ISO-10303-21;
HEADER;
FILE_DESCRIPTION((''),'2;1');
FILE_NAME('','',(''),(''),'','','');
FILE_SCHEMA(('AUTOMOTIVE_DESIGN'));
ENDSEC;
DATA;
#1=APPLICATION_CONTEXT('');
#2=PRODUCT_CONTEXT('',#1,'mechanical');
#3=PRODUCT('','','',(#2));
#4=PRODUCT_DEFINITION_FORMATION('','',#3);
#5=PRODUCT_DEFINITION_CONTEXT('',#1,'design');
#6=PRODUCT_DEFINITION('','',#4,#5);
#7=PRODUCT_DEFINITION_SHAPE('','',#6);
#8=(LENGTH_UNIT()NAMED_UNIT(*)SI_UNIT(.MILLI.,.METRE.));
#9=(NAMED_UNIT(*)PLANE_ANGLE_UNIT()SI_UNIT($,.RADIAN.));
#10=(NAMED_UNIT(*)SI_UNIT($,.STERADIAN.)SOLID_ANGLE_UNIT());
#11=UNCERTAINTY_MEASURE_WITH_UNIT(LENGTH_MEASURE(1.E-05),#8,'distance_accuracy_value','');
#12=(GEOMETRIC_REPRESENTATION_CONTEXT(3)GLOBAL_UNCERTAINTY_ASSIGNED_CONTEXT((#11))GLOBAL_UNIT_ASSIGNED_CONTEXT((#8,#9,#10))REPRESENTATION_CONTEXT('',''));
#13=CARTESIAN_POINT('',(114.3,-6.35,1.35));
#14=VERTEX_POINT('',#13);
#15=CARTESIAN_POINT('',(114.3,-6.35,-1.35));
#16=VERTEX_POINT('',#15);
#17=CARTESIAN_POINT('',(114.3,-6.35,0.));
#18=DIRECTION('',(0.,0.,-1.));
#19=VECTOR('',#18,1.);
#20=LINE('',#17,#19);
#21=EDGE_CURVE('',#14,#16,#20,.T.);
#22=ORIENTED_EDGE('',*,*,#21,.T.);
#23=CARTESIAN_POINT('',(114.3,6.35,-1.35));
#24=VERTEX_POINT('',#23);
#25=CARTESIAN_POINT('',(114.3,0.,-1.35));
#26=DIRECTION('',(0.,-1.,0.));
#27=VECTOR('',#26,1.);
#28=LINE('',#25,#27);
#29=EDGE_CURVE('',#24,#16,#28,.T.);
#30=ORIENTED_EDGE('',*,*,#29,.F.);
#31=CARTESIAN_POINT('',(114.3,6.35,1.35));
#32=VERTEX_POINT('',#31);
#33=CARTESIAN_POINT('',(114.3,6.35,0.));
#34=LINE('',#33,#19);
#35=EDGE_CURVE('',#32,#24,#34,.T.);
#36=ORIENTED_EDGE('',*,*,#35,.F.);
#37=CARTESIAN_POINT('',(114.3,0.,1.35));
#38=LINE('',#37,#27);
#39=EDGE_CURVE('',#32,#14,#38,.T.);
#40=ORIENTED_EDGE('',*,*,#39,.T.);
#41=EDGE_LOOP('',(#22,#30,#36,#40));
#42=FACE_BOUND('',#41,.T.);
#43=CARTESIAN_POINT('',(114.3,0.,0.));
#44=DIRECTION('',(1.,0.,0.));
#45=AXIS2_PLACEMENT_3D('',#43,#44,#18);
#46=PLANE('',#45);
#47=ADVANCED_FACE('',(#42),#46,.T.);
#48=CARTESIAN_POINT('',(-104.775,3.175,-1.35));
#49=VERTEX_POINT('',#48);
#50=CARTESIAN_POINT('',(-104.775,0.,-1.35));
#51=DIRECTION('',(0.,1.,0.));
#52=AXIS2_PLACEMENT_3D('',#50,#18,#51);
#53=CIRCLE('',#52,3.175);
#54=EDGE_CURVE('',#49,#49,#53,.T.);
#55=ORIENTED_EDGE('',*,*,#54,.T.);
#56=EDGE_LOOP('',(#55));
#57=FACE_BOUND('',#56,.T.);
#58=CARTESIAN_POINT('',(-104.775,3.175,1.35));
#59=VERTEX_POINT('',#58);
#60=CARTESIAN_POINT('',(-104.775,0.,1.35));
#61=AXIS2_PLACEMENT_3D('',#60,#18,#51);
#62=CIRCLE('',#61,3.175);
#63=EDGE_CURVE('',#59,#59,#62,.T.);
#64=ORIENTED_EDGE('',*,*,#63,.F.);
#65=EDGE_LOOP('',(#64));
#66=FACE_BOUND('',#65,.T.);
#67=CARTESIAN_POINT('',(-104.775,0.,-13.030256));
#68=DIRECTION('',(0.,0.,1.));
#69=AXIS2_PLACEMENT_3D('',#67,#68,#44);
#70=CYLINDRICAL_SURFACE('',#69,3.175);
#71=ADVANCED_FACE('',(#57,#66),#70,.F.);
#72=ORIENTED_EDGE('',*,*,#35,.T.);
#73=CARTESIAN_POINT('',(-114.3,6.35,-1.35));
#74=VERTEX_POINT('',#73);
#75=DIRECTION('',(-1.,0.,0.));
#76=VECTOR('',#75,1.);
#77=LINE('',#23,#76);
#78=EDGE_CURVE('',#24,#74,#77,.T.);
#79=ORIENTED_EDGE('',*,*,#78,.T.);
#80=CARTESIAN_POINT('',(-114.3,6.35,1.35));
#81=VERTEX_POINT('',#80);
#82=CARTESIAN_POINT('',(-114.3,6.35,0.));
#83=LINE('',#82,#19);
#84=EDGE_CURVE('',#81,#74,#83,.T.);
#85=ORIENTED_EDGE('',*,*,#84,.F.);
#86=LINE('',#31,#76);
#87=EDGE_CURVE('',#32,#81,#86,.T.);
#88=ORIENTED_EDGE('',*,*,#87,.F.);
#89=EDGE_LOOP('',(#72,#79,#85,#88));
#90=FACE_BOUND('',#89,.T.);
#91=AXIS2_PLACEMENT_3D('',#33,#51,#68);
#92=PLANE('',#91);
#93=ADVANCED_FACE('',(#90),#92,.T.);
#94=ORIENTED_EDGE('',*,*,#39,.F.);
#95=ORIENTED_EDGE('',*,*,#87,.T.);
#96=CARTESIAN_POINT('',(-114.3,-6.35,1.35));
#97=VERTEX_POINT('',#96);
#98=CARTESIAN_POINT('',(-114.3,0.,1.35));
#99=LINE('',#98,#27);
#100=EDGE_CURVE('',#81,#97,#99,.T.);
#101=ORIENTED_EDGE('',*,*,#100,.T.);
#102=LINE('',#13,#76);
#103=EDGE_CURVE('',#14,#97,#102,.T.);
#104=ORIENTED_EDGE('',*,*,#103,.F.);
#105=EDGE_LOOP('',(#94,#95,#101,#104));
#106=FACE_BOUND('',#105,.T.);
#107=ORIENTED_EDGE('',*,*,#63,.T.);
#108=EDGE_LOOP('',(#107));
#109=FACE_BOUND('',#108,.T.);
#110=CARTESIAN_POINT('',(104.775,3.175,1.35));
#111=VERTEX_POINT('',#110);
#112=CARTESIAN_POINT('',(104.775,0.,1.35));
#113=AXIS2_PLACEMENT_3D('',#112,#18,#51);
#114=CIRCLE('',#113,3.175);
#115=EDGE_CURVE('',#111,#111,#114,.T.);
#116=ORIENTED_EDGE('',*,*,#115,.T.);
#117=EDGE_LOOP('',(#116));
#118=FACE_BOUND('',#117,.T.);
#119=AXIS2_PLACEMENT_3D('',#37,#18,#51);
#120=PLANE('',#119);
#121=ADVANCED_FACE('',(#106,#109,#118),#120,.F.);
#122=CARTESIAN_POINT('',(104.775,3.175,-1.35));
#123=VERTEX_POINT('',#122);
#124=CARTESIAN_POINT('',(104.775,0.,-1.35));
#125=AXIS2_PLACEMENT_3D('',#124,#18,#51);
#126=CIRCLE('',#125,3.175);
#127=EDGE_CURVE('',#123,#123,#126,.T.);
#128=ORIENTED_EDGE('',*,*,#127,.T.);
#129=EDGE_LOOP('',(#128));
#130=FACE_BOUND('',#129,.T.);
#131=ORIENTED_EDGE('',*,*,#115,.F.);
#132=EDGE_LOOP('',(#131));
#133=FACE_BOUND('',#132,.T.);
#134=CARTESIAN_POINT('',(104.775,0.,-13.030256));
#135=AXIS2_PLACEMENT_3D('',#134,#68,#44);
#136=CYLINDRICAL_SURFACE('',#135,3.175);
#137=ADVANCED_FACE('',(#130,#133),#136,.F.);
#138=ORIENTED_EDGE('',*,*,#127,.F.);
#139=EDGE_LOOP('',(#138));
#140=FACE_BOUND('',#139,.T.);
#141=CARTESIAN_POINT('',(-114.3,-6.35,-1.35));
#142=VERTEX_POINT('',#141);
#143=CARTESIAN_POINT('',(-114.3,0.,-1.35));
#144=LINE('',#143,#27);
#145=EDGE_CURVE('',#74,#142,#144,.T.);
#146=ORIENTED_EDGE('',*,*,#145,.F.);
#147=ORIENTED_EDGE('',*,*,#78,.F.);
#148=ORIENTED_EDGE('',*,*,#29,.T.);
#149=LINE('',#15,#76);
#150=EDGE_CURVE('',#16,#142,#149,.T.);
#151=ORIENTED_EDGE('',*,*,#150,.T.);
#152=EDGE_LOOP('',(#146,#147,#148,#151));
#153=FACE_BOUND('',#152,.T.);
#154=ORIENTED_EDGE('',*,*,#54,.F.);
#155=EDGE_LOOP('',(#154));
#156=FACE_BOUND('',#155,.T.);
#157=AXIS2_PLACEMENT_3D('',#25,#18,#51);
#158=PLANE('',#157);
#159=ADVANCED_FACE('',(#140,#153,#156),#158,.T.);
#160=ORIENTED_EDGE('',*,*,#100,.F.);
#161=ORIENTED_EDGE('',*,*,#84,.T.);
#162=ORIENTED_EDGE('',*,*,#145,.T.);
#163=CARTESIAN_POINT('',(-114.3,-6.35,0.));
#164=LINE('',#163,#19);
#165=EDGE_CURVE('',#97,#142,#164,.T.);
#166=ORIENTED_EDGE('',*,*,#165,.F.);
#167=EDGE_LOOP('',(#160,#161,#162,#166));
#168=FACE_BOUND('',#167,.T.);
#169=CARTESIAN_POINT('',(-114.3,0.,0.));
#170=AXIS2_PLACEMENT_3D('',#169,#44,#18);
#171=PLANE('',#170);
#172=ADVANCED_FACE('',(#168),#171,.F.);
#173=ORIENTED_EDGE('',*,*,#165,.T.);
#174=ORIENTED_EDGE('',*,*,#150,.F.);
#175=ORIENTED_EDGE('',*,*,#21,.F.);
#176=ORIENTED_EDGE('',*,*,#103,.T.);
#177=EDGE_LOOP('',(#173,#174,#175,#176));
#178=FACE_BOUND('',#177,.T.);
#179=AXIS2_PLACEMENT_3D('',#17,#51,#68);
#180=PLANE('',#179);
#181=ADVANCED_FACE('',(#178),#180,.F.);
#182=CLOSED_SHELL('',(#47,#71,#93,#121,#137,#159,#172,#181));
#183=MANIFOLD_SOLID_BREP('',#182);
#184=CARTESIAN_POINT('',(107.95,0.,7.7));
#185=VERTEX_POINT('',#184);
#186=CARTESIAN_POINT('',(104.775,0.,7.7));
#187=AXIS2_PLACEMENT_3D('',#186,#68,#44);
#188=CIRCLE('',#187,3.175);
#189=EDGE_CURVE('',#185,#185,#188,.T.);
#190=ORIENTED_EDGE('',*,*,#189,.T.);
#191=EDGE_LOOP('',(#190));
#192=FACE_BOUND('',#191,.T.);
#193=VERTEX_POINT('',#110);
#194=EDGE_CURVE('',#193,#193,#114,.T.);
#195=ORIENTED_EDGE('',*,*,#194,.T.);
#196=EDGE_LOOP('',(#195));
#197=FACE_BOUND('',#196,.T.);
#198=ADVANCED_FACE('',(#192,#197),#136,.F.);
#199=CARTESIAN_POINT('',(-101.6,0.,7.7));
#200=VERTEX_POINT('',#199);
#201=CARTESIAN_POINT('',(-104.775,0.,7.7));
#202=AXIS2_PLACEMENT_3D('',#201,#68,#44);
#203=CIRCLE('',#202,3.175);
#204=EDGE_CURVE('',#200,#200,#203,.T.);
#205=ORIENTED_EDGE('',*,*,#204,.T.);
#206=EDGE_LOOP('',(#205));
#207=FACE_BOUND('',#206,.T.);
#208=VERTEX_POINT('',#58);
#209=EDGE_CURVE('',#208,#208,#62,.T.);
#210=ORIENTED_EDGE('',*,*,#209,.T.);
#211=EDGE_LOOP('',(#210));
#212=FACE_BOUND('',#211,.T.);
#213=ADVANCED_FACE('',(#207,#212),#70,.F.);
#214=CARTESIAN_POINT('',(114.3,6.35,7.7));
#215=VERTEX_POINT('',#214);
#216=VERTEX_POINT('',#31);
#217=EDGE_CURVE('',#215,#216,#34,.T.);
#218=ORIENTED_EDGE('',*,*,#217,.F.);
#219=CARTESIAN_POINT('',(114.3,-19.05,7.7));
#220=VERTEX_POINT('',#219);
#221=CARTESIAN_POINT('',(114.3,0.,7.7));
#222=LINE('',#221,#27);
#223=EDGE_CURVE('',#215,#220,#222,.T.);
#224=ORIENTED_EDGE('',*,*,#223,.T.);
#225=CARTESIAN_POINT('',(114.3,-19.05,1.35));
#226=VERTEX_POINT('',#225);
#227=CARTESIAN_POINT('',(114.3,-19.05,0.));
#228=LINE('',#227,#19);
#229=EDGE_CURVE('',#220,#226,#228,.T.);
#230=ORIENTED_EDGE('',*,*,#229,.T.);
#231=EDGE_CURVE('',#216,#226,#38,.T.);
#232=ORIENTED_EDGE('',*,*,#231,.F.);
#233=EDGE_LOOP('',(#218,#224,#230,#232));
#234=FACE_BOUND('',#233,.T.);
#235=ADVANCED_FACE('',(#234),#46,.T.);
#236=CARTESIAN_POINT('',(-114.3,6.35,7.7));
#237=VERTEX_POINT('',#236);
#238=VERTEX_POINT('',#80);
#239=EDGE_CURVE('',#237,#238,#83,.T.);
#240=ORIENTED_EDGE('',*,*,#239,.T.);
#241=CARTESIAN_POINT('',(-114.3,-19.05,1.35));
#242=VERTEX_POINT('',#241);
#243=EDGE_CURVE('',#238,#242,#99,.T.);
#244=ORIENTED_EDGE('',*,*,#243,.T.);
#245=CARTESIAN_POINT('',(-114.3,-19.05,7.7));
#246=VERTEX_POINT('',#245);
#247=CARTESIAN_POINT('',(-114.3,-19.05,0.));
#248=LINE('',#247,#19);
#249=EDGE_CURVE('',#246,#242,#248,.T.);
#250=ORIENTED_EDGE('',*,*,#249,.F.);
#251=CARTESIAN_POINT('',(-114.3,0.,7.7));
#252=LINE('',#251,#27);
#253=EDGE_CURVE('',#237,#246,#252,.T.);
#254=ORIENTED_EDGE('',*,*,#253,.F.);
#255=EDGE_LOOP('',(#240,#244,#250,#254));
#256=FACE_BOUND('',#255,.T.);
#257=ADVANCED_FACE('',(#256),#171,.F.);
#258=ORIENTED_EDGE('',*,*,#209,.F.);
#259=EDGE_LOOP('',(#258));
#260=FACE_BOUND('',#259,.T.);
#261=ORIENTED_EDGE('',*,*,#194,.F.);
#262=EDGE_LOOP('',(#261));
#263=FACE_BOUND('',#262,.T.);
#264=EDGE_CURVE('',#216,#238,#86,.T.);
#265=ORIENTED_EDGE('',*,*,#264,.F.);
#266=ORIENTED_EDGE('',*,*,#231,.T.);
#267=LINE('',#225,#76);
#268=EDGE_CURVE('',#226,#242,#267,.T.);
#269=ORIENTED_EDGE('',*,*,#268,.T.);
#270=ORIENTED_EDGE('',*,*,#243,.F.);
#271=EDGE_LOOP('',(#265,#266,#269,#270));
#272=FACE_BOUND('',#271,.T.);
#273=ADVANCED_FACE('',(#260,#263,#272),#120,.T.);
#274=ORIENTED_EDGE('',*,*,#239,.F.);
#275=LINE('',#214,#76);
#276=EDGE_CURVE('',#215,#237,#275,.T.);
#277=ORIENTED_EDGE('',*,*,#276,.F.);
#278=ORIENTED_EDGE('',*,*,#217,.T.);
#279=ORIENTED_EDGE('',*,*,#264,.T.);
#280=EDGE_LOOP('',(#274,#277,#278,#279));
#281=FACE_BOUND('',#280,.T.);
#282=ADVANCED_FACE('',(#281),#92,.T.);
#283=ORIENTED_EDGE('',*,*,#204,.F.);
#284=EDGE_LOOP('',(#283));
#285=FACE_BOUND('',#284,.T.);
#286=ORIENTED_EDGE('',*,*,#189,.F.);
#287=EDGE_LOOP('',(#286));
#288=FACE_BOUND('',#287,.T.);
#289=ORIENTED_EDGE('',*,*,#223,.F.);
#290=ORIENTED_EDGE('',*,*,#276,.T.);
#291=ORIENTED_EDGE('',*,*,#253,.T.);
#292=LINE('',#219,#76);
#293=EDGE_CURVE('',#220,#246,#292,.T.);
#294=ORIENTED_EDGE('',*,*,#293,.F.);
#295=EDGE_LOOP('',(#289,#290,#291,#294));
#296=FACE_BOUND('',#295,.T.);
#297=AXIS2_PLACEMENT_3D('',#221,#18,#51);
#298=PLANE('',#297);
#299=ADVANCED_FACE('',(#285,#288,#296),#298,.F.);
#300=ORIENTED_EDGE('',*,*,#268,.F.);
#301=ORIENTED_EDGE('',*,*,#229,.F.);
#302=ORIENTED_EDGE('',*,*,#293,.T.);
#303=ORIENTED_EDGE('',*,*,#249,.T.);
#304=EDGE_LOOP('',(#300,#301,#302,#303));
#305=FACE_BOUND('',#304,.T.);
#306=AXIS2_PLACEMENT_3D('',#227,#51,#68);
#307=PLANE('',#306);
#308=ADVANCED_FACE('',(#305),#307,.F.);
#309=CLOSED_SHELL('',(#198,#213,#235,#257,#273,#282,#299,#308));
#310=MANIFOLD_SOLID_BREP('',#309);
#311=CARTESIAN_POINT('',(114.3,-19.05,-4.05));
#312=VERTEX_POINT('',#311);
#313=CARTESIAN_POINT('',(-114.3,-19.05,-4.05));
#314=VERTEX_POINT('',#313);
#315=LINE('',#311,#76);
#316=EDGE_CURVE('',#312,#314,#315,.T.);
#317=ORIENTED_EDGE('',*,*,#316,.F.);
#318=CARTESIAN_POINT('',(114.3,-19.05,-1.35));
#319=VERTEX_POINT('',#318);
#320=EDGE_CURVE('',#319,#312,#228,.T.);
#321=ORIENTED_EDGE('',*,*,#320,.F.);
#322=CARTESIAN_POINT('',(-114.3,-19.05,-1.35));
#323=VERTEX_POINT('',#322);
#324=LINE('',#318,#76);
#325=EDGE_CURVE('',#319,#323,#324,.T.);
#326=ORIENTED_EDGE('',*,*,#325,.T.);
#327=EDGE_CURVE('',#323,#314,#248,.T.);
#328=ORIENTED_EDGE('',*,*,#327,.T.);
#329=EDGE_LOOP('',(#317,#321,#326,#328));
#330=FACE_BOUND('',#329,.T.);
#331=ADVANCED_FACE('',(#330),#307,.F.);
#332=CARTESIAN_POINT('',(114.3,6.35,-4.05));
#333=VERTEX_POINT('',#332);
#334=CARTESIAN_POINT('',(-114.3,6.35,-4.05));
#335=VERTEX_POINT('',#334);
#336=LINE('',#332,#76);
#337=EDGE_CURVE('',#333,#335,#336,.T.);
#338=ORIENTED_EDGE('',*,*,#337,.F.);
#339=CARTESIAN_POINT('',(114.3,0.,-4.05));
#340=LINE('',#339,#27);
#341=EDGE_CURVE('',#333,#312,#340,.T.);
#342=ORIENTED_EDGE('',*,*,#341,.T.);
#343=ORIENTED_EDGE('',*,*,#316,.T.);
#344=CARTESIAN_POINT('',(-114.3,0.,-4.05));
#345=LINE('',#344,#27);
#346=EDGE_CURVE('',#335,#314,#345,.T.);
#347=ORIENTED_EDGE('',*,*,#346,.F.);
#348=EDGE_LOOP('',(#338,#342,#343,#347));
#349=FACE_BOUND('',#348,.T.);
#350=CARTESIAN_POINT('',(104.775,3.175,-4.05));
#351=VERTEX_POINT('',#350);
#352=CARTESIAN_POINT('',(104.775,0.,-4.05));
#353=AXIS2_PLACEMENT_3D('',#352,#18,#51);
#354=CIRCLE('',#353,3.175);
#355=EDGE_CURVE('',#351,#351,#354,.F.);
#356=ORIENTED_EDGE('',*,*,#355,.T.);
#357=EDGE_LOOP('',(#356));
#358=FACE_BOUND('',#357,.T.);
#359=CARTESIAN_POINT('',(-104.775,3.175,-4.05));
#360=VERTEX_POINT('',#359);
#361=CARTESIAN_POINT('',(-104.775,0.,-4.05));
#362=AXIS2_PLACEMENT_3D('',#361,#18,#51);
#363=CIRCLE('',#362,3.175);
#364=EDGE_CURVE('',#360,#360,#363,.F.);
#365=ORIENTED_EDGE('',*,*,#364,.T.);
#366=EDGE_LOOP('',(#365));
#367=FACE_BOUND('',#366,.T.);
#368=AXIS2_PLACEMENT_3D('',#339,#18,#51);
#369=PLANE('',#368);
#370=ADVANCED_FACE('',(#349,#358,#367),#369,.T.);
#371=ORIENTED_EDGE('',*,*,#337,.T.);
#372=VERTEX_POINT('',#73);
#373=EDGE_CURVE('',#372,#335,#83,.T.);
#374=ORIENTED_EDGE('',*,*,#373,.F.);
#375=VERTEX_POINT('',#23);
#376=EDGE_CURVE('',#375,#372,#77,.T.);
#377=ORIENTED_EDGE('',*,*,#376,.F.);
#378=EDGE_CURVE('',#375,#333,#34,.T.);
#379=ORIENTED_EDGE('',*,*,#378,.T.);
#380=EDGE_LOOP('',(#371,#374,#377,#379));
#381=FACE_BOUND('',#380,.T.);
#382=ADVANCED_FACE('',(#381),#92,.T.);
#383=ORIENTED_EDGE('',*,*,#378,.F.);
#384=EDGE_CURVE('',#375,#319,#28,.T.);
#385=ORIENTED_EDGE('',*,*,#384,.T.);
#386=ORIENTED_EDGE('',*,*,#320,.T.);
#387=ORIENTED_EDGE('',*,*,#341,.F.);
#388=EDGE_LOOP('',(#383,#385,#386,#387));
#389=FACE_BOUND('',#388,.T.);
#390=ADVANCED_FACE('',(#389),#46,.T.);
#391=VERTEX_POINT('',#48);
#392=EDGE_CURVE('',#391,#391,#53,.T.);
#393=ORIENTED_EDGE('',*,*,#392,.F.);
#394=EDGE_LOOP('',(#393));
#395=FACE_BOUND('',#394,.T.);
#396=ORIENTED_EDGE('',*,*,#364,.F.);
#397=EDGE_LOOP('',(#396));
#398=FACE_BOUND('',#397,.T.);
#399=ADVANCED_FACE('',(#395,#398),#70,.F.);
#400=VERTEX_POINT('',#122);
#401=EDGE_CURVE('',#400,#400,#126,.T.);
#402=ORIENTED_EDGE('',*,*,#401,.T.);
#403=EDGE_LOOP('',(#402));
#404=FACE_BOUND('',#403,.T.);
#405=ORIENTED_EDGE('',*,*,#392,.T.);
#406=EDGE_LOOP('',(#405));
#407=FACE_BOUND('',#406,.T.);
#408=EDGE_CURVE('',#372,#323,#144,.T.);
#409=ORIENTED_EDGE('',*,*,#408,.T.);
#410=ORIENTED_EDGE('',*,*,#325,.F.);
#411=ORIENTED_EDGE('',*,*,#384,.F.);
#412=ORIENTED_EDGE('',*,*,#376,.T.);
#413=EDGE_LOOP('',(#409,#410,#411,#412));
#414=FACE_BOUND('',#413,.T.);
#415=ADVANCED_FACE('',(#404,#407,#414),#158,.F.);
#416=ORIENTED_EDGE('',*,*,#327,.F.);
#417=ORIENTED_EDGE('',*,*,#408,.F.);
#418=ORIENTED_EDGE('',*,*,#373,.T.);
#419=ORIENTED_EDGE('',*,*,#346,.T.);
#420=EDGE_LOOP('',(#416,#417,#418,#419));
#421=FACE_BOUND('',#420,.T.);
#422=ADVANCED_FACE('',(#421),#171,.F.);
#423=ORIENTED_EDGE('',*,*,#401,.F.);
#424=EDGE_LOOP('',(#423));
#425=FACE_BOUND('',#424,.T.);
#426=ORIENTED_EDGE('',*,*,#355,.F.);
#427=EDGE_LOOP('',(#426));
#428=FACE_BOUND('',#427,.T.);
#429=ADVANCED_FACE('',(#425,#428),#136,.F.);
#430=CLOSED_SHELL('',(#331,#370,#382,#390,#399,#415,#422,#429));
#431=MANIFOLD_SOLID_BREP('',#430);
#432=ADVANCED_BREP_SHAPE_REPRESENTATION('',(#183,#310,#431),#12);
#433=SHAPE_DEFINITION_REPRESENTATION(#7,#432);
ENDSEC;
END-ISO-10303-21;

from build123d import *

# Parameters (mm, degrees)
SKETCH2_W           = 6.35
SKETCH2_H           = 25.4
BOSS_EXTRUDE1_DEPTH = 114.3
SKETCH2_4_W         = 2.7
SKETCH2_4_H         = 12.7
BOSS_EXTRUDE2_DEPTH = 114.3
BOSS_EXTRUDE3_DEPTH = 114.3
SKETCH4_R           = 3.175
CUT_EXTRUDE4_DEPTH  = 11.75


with BuildPart() as part:
    # Sketch2 → Boss-Extrude1 (new body, symmetric)
    with BuildSketch(Plane(origin=(0, 0, 0), x_dir=(0, 0, -1), z_dir=(1, 0, 0))):
        with Locations((-4.525, -6.35)):
            Rectangle(SKETCH2_W, SKETCH2_H)
    extrude(amount=BOSS_EXTRUDE1_DEPTH, both=True)


with BuildPart() as body_2:
    # Sketch2<4> → Boss-Extrude2 (new body, symmetric)
    with BuildSketch(Plane(origin=(0, 0, 0), x_dir=(0, 0, -1), z_dir=(1, 0, 0))):
        Rectangle(SKETCH2_4_W, SKETCH2_4_H)
    extrude(amount=BOSS_EXTRUDE2_DEPTH, both=True)


with BuildPart() as body_3:
    # Sketch2<5> → Boss-Extrude3 (new body, symmetric)
    with BuildSketch(Plane(origin=(0, 0, 0), x_dir=(0, 0, -1), z_dir=(1, 0, 0))):
        Polygon((4.05, 6.35), (1.35, 6.35), (1.35, -6.35), (1.35, -19.05), (4.05, -19.05), align=None)
    extrude(amount=BOSS_EXTRUDE3_DEPTH, both=True)


with BuildPart() as cut_extrude4_tool:
    # Sketch4 → Cut-Extrude4 (new body)
    with BuildSketch(Plane.XY.offset(7.7)):
        with Locations((-104.775, 0)):
            Circle(SKETCH4_R)
        with Locations((104.775, 0)):
            Circle(SKETCH4_R)
    extrude(amount=-CUT_EXTRUDE4_DEPTH)


with BuildPart() as part_1:
    add(part.part)

    # Cut-Extrude4: cut by cut_extrude4_tool
    add(cut_extrude4_tool.part, mode=Mode.SUBTRACT)


with BuildPart() as body_2_1:
    add(body_2.part)

    # Cut-Extrude4: cut by cut_extrude4_tool
    add(cut_extrude4_tool.part, mode=Mode.SUBTRACT)


with BuildPart() as body_3_1:
    add(body_3.part)

    # Cut-Extrude4: cut by cut_extrude4_tool
    add(cut_extrude4_tool.part, mode=Mode.SUBTRACT)


solid = Compound([part_1.part, body_2_1.part, body_3_1.part])
